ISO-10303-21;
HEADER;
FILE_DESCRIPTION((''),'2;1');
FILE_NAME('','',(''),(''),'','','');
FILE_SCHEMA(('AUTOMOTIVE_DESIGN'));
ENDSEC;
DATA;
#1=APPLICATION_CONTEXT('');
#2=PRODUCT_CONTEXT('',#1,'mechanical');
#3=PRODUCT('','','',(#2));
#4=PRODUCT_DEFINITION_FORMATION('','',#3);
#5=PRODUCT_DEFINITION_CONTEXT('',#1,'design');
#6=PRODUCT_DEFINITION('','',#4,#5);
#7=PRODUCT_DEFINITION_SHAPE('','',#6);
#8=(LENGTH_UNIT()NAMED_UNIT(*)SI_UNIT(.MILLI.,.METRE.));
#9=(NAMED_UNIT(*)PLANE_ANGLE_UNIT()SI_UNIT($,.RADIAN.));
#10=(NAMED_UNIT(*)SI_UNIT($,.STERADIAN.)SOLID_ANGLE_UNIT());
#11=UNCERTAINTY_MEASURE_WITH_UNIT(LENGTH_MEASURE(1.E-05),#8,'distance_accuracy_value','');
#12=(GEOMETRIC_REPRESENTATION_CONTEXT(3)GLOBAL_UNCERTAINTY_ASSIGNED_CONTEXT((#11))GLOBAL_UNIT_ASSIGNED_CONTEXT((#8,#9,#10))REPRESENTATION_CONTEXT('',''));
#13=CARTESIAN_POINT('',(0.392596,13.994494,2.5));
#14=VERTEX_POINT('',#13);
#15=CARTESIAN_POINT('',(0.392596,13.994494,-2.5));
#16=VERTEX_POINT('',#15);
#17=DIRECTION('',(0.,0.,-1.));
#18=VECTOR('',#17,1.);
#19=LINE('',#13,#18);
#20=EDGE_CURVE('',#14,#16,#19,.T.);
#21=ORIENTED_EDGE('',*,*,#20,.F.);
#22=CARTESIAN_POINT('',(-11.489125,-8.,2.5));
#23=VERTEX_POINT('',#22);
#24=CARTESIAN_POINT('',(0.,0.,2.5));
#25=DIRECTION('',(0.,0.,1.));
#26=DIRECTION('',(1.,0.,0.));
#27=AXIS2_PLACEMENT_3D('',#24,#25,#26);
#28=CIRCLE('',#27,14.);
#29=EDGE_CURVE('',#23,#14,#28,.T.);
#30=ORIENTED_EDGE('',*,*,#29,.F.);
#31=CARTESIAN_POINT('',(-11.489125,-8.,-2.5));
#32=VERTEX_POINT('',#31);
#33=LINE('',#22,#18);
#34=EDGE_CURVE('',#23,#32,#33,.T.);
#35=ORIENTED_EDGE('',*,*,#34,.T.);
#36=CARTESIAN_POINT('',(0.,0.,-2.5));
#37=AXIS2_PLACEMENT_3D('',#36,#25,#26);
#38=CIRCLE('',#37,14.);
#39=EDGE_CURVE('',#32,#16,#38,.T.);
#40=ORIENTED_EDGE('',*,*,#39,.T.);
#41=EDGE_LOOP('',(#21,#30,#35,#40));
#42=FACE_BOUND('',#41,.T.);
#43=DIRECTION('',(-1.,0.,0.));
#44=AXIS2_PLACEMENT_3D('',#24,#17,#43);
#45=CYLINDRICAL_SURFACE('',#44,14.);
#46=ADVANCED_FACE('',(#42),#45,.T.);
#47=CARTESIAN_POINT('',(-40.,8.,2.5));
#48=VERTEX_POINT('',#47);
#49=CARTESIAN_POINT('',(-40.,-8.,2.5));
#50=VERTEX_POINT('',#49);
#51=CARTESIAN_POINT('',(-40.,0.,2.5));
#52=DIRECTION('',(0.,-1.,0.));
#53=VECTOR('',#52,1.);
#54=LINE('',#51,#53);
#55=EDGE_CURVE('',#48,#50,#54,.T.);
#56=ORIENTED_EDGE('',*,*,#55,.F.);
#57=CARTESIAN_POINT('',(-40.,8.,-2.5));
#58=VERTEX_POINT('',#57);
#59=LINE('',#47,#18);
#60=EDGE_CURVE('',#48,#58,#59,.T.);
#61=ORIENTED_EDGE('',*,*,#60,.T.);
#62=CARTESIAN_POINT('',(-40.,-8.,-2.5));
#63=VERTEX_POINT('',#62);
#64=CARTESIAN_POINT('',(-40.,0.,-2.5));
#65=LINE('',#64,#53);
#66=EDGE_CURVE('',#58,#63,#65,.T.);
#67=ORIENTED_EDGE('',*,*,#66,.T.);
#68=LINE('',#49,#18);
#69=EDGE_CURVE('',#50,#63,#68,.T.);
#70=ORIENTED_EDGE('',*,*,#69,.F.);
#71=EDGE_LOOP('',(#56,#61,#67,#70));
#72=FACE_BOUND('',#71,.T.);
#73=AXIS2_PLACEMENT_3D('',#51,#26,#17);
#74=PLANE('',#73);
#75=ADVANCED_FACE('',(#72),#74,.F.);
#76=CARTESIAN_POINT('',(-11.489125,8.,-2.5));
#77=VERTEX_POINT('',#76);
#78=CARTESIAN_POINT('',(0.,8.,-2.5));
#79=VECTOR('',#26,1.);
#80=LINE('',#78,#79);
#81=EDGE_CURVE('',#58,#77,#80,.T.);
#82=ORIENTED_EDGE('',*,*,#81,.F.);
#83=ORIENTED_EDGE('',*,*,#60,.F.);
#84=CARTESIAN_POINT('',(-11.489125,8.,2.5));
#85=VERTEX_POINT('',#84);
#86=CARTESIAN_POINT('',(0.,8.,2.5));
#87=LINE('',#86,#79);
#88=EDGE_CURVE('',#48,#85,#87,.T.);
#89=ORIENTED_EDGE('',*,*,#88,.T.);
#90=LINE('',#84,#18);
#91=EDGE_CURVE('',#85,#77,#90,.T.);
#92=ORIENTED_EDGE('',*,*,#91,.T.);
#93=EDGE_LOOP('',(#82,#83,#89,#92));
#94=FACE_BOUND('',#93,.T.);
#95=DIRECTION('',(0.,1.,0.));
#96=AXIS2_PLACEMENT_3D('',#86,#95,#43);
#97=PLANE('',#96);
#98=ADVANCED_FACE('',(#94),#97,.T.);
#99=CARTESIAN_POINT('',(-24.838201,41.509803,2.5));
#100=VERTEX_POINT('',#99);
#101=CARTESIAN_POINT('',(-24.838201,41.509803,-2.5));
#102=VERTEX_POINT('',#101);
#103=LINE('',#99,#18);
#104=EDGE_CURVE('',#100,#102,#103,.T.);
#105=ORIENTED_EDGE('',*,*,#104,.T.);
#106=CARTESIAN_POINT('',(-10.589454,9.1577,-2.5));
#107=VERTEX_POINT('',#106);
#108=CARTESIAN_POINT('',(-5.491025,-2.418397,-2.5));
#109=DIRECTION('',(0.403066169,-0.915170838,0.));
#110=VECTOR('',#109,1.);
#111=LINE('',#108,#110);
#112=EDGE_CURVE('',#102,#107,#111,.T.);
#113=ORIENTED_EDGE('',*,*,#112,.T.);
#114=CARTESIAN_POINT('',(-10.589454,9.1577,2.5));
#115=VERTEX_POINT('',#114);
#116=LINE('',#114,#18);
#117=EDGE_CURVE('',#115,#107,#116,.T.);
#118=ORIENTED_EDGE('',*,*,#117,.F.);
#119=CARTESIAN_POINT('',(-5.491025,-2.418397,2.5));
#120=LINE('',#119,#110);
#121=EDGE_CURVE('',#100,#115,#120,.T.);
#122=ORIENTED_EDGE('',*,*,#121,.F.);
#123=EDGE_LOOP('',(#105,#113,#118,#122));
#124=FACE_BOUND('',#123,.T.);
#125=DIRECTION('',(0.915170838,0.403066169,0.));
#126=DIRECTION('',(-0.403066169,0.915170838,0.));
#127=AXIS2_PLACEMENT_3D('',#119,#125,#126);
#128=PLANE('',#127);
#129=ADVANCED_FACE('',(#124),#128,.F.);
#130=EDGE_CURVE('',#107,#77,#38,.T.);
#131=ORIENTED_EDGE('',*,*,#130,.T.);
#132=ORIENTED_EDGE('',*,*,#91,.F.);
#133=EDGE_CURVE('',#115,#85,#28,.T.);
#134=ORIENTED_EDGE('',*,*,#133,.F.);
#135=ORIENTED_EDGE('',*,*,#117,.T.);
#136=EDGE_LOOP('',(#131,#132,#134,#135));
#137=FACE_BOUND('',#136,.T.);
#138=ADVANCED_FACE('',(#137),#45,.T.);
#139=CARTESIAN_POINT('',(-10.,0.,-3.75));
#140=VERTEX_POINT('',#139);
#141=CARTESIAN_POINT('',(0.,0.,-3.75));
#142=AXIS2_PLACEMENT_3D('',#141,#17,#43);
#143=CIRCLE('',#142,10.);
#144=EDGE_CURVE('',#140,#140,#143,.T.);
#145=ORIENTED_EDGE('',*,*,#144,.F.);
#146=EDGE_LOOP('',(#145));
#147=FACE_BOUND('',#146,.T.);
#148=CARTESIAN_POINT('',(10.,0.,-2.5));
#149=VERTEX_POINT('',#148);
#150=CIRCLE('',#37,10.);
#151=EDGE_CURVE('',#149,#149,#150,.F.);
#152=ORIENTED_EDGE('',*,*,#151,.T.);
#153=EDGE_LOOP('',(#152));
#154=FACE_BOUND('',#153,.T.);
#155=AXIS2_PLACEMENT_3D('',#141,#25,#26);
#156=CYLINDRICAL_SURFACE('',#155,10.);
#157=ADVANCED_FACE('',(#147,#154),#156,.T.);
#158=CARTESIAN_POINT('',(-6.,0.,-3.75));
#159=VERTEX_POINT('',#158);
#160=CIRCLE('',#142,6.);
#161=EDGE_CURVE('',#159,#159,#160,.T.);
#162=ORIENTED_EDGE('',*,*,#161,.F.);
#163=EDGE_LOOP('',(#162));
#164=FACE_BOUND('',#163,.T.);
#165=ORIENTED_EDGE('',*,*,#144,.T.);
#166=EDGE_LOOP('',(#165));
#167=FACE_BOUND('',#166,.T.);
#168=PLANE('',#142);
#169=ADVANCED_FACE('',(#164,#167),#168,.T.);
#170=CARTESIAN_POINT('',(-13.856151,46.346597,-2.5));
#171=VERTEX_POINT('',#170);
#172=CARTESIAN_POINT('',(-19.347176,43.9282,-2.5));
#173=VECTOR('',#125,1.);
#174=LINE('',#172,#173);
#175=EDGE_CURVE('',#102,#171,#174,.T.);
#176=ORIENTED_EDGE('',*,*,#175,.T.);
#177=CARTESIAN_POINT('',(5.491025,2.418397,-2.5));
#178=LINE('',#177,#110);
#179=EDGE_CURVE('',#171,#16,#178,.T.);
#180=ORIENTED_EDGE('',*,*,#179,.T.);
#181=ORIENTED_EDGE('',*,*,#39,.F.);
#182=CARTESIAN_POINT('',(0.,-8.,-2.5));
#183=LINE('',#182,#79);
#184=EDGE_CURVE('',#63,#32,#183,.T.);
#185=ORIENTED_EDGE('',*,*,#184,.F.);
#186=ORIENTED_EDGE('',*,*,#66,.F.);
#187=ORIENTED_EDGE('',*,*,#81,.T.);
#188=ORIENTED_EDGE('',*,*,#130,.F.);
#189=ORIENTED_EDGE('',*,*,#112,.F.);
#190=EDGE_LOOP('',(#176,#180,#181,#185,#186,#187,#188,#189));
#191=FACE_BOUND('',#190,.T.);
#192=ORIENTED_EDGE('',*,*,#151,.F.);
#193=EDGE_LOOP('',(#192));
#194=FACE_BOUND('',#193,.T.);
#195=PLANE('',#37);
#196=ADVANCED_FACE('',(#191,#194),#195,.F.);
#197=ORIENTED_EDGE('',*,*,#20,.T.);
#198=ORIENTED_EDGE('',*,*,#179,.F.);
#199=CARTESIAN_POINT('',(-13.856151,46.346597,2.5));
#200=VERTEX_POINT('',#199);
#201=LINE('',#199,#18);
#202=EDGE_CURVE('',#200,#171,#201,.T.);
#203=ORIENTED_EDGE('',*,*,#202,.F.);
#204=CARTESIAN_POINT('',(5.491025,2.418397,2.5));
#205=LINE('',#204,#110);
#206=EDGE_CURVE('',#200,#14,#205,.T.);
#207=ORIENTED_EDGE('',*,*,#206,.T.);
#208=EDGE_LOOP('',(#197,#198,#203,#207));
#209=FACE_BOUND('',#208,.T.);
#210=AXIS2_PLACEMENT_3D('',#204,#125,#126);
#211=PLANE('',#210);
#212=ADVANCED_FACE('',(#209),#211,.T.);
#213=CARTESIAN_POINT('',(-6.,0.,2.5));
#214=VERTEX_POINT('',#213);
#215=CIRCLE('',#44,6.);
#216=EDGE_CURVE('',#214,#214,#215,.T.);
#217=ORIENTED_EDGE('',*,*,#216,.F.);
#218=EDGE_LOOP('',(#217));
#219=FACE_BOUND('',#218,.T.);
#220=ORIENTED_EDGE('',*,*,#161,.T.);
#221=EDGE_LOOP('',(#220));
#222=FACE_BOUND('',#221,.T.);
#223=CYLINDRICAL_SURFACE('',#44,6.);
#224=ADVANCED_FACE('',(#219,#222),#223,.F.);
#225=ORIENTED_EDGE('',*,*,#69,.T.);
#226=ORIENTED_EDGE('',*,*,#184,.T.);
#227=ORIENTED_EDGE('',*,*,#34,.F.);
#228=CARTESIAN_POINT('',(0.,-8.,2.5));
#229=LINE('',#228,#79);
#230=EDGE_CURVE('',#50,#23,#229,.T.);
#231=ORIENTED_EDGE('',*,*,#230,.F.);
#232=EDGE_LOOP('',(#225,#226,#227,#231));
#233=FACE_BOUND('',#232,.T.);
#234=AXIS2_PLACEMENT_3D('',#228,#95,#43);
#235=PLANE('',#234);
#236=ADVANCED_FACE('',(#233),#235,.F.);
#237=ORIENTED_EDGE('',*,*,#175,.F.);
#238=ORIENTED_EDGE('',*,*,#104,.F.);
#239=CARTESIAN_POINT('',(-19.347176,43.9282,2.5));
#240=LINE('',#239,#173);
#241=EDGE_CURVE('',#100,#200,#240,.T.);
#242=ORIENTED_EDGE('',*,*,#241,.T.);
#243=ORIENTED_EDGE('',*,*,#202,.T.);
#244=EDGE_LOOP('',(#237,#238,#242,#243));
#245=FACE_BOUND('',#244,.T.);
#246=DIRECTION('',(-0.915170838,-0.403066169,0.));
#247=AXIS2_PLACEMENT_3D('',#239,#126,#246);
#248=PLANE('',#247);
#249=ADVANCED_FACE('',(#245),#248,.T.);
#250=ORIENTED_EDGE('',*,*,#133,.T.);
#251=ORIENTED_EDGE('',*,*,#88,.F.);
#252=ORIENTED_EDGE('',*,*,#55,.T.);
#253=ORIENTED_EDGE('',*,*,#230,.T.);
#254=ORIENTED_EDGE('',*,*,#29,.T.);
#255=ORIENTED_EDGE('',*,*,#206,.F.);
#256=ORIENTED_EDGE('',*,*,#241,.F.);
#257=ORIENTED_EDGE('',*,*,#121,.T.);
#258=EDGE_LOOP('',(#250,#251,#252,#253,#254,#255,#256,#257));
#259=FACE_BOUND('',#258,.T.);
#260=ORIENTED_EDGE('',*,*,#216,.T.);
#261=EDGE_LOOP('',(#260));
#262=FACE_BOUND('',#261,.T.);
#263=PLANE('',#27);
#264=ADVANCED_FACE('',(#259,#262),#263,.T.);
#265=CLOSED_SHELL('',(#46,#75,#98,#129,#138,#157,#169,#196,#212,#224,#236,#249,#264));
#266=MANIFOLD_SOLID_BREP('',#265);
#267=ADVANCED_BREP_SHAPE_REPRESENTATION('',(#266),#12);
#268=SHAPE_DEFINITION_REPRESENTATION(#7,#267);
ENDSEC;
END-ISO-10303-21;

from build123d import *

# Parameters (mm, degrees)
BOSS_EXTRU_1_DEPTH      = 2.5
ESQUISSE2_R             = 10
BOSS_EXTRU_2_DEPTH      = 1.25
ESQUISSE3_R             = 6
ENL_V_MAT_EXTRU_1_DEPTH = 62.539171077


with BuildPart() as part:
    # Esquisse1 → Boss.-Extru.1 (new, symmetric)
    with BuildSketch(Plane.XY):
        with BuildLine():
            Line((0.392596459, 13.994494204), (-10.5894536, 9.157700172))
            ThreePointArc((-10.5894536, 9.157700172), (-11.054455161, 8.590635663), (-11.489125293, 8))
            Line((-11.489125293, 8), (-11.489125293, -8))
            ThreePointArc((-11.489125293, -8), (4.192388692, -13.357540082), (14, 0))
            ThreePointArc((14, 0), (10.03733905, 9.759704134), (0.392596459, 13.994494204))
        make_face()
        with BuildLine():
            ThreePointArc((0.392596459, 13.994494204), (-5.64292637, 12.812391735), (-10.5894536, 9.157700172))
            Line((-10.5894536, 9.157700172), (0.392596459, 13.994494204))
        make_face()
        with BuildLine():
            Line((-11.489125293, -8), (-11.489125293, 8))
            ThreePointArc((-11.489125293, 8), (-14, 0), (-11.489125293, -8))
        make_face()
        with BuildLine():
            ThreePointArc((-11.489125293, -8), (-14, 0), (-11.489125293, 8))
            Line((-11.489125293, 8), (-40, 8))
            Line((-40, 8), (-40, -8))
            Line((-40, -8), (-11.489125293, -8))
        make_face()
        with BuildLine():
            Line((-13.856151097, 46.346597251), (-24.838201156, 41.50980322))
            Line((-24.838201156, 41.50980322), (-10.5894536, 9.157700172))
            ThreePointArc((-10.5894536, 9.157700172), (-5.64292637, 12.812391735), (0.392596459, 13.994494204))
            Line((0.392596459, 13.994494204), (-13.856151097, 46.346597251))
        make_face()
    extrude(amount=BOSS_EXTRU_1_DEPTH, both=True)

    # Esquisse2 → Boss.-Extru.2 (add, symmetric)
    with BuildSketch(Plane(origin=(0, 0, -2.5), x_dir=(-1, 0, 0), z_dir=(0, 0, -1))):
        with Locations(Location((0, 0, 0), (0, 0, 180))):
            Circle(ESQUISSE2_R)
    extrude(amount=BOSS_EXTRU_2_DEPTH, both=True)

    # Esquisse3 → Enlèv. mat.-Extru.1 (cut, through all)
    with BuildSketch(Plane(origin=(0, 0, -3.75), x_dir=(-1, 0, 0), z_dir=(0, 0, -1))):
        Circle(ESQUISSE3_R)
    extrude(amount=-ENL_V_MAT_EXTRU_1_DEPTH, mode=Mode.SUBTRACT)


solid = part.part
